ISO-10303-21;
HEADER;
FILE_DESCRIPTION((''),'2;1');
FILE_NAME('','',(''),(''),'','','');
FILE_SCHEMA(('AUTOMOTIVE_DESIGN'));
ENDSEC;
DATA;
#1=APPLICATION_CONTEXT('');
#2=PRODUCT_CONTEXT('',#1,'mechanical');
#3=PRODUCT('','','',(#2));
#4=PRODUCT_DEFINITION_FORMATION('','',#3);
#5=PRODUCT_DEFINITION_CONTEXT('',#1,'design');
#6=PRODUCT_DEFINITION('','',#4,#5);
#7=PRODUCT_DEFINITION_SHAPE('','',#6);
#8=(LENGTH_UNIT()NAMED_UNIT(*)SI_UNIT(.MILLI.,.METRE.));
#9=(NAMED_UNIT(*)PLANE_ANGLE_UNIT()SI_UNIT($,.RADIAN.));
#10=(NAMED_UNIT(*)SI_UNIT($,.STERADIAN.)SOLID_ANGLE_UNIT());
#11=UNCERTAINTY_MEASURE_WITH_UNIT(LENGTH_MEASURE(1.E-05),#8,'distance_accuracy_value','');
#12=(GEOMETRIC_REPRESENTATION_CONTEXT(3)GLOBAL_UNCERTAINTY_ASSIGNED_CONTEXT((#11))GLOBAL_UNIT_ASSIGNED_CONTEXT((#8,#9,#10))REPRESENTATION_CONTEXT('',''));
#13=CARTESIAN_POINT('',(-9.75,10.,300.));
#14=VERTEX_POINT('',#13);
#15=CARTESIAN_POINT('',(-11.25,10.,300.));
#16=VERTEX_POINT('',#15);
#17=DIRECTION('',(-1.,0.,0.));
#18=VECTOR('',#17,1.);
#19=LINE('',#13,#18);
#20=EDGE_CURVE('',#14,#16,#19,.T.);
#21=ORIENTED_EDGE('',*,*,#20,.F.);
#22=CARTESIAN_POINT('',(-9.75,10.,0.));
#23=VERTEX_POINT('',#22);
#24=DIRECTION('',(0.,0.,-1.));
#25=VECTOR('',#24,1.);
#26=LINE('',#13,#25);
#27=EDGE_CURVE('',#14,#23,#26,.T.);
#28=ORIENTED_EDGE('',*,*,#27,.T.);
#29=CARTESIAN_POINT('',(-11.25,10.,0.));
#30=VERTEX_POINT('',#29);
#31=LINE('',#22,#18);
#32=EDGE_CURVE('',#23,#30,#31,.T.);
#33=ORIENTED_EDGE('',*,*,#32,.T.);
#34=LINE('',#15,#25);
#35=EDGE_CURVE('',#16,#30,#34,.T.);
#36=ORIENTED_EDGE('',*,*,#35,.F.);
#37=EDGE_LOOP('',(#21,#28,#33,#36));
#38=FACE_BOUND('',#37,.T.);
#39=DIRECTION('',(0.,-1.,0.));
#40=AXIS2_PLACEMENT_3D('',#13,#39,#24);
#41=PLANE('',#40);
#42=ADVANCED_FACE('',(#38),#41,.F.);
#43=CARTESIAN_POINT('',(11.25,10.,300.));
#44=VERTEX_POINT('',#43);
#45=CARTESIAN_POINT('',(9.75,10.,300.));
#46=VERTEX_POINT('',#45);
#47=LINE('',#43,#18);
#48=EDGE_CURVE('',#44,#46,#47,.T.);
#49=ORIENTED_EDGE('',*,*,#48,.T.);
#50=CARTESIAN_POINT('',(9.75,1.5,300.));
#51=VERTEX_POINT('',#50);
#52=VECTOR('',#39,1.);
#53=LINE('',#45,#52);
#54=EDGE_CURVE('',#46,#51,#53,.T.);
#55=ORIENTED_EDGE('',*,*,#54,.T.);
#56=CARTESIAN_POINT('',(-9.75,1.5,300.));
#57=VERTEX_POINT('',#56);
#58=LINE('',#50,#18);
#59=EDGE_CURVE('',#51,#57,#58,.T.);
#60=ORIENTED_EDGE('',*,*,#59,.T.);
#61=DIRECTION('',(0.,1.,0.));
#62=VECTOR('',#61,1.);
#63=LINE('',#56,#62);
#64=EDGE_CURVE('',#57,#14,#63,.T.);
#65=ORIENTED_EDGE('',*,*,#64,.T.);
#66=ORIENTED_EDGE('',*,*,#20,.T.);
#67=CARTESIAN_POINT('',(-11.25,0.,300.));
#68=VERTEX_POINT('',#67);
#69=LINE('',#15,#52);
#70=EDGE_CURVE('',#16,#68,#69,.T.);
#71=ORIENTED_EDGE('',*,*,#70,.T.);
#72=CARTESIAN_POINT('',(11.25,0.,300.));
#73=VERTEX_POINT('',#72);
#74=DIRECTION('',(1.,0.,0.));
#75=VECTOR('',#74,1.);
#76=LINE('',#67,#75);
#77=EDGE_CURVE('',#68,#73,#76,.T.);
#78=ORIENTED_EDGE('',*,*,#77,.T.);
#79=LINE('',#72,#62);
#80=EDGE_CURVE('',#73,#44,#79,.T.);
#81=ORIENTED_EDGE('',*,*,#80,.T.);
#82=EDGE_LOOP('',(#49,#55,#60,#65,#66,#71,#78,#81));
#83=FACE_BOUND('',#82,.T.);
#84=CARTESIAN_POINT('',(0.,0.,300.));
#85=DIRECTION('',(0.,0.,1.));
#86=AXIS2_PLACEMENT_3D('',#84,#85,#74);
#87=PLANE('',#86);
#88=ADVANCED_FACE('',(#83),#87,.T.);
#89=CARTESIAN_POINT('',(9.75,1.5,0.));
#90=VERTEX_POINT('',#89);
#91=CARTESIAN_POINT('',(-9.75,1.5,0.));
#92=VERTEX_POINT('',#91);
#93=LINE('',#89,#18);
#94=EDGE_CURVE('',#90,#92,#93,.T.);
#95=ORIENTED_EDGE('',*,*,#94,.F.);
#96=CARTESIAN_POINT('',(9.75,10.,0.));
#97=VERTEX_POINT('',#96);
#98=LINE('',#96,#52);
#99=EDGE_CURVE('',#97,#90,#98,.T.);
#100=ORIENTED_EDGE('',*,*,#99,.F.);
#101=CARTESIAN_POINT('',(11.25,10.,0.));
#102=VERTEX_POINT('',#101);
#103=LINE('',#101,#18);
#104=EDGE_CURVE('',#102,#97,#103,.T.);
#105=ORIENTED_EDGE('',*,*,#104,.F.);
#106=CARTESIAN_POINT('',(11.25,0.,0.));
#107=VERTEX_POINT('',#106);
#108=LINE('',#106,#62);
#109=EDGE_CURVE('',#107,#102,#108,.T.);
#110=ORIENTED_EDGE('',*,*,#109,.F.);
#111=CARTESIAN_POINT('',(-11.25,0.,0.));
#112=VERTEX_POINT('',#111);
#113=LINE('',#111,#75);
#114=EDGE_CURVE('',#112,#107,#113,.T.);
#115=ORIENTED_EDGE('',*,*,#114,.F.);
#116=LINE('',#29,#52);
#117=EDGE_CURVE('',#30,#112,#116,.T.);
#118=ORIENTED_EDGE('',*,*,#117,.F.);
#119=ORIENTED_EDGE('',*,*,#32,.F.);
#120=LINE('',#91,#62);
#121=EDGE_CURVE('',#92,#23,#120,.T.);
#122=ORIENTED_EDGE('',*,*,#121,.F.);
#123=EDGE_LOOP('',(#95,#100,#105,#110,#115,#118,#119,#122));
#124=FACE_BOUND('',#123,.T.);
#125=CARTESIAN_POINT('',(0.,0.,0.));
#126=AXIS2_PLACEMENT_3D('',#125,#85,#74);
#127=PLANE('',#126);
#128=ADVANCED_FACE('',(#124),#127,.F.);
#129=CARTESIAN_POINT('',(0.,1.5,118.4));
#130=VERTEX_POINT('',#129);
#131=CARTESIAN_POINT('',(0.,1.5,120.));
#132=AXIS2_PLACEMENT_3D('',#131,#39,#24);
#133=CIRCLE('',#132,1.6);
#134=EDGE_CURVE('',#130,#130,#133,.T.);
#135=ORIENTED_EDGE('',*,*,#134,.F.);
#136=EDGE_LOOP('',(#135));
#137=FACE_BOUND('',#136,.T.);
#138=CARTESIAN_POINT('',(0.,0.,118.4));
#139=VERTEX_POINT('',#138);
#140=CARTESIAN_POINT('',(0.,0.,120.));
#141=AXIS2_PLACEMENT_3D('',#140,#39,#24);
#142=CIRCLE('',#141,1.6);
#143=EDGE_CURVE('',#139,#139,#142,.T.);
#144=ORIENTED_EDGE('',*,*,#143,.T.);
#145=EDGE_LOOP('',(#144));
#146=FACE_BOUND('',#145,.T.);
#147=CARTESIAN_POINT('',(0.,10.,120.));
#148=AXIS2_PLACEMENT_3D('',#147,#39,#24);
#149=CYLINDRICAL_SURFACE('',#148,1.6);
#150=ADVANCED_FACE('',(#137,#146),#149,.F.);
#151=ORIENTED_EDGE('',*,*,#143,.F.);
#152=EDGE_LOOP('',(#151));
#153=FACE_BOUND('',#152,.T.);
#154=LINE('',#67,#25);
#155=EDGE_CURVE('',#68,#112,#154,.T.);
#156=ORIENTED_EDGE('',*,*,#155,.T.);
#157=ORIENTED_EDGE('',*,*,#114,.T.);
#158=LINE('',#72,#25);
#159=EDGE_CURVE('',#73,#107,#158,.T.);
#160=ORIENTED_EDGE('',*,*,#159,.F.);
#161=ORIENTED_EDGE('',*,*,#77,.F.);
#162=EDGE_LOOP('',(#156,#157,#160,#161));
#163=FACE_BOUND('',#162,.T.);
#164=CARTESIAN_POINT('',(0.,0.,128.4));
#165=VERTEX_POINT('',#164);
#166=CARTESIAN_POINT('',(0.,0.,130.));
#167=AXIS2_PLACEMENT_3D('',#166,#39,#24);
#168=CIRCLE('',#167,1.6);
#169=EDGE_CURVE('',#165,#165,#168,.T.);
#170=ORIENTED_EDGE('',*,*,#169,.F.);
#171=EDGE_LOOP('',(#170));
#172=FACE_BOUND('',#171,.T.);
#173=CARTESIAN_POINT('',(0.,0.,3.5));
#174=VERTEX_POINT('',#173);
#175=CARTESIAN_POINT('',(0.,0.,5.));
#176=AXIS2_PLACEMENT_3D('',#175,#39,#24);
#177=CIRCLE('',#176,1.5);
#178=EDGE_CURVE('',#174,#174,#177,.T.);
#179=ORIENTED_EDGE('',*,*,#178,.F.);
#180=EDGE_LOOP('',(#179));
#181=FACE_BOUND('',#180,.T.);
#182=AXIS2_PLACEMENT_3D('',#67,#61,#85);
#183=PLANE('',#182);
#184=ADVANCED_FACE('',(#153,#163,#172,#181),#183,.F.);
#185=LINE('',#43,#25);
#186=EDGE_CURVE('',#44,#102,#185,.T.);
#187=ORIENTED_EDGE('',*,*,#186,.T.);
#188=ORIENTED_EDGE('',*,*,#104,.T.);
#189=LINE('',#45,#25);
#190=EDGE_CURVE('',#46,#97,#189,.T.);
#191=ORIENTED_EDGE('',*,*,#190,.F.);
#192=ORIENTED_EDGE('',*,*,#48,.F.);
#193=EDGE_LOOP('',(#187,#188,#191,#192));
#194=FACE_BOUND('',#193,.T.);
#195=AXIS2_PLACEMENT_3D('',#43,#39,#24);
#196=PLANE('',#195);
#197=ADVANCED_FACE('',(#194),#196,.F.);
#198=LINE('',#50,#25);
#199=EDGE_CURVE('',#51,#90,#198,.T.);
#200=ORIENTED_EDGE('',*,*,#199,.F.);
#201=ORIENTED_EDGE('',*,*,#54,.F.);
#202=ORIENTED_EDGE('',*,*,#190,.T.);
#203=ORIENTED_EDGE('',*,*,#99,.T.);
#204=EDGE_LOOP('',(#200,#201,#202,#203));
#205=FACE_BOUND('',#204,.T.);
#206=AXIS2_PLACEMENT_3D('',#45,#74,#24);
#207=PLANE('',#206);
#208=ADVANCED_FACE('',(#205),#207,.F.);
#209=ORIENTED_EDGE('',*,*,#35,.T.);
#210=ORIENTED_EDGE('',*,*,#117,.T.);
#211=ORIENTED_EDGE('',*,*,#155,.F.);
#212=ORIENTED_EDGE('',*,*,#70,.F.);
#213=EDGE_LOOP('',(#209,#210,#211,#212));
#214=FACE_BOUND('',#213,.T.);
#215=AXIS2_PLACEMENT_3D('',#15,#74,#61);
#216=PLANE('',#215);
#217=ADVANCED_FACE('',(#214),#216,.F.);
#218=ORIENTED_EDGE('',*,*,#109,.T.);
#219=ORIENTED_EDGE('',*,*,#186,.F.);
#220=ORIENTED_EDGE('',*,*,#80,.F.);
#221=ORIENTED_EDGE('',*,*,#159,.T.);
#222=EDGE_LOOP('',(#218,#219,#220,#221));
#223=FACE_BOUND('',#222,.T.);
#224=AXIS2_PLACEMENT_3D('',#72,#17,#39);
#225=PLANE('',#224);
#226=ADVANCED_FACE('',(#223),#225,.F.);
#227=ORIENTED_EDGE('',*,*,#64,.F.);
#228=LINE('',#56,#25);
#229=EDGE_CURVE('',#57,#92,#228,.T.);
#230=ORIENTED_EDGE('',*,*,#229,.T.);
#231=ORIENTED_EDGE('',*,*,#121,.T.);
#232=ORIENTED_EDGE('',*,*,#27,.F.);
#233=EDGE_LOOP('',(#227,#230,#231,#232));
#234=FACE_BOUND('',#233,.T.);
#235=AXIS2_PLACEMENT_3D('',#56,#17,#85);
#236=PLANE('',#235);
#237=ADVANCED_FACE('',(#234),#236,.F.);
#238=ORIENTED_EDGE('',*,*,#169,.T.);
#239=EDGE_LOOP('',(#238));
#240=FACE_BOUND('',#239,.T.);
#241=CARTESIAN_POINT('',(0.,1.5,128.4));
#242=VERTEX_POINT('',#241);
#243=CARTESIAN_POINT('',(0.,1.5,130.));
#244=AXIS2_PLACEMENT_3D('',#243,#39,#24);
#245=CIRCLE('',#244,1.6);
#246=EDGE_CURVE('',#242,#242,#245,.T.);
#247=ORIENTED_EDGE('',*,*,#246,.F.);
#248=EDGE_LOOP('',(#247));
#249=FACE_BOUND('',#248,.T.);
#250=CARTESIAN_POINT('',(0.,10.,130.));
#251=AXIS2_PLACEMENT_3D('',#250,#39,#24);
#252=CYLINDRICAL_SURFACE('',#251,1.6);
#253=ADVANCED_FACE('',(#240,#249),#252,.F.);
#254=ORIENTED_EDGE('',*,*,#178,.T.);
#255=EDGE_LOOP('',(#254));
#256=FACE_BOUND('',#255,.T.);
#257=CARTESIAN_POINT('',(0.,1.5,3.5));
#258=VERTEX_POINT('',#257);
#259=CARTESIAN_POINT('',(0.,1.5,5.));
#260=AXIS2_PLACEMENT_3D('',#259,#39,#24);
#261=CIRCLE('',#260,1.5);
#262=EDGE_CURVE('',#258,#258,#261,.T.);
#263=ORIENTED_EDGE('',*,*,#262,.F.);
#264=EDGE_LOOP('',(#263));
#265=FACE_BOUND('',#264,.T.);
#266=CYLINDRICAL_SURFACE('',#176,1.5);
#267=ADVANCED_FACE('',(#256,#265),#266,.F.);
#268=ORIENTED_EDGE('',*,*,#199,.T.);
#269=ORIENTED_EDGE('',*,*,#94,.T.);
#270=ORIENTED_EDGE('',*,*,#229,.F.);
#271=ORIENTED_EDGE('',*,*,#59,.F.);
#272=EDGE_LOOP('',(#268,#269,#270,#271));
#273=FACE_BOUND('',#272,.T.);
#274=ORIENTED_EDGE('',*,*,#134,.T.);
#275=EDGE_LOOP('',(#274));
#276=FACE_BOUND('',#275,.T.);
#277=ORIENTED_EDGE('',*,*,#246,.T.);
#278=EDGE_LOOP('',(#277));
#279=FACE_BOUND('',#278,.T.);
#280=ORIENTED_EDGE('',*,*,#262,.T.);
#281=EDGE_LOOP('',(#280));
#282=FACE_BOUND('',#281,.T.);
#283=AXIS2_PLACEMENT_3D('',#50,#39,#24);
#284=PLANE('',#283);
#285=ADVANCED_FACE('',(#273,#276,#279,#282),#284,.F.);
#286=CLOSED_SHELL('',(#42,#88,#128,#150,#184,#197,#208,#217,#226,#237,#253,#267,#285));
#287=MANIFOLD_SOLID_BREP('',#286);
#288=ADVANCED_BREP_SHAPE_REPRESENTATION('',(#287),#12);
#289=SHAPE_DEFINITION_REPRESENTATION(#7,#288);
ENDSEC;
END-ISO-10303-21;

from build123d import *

# Parameters (mm, degrees)
BOSS_EXTRU_1_DEPTH                  = 300
ESQUISSE2_R                         = 1.6
ENL_V_MAT_EXTRU_1_DEPTH             = 301.377366824
F_3_0_3_DURCHMESSER_LANGLOCH1_D     = 3
F_3_0_3_DURCHMESSER_LANGLOCH1_DEPTH = 12.5
F_3_0_3_DURCHMESSER_LANGLOCH1_TIP   = 0.901290929


with BuildPart() as part:
    # Esquisse1 → Boss.-Extru.1 (new body)
    with BuildSketch(Plane.XY):
        Polygon((-11.25, 0), (11.25, 0), (11.25, 10), (9.75, 10), (9.75, 1.5), (-9.75, 1.5), (-9.75, 10), (-11.25, 10), align=None)
    extrude(amount=BOSS_EXTRU_1_DEPTH)

    # Esquisse2 → Enlèv. mat.-Extru.1 (cut, through all)
    with BuildSketch(Plane.XZ):
        with Locations(Location((0, 120, 0), (0, 0, 270))):
            Circle(ESQUISSE2_R)
        with Locations(Location((0, 130, 0), (0, 0, 270))):
            Circle(ESQUISSE2_R)
    extrude(amount=-ENL_V_MAT_EXTRU_1_DEPTH, mode=Mode.SUBTRACT)

    # Ø3.0 (3) Durchmesser Langloch1
    with Locations(Plane(origin=(0, 0, 0), x_dir=(-1, 0, 0), z_dir=(0, -1, 0))):
        with Locations((0, -5)):
            Hole(F_3_0_3_DURCHMESSER_LANGLOCH1_D / 2, depth=F_3_0_3_DURCHMESSER_LANGLOCH1_DEPTH)
            with Locations((0, 0, -(F_3_0_3_DURCHMESSER_LANGLOCH1_DEPTH + F_3_0_3_DURCHMESSER_LANGLOCH1_TIP / 2))):  # 118° drill point
                Cone(0, F_3_0_3_DURCHMESSER_LANGLOCH1_D / 2, F_3_0_3_DURCHMESSER_LANGLOCH1_TIP, mode=Mode.SUBTRACT)


solid = part.part
